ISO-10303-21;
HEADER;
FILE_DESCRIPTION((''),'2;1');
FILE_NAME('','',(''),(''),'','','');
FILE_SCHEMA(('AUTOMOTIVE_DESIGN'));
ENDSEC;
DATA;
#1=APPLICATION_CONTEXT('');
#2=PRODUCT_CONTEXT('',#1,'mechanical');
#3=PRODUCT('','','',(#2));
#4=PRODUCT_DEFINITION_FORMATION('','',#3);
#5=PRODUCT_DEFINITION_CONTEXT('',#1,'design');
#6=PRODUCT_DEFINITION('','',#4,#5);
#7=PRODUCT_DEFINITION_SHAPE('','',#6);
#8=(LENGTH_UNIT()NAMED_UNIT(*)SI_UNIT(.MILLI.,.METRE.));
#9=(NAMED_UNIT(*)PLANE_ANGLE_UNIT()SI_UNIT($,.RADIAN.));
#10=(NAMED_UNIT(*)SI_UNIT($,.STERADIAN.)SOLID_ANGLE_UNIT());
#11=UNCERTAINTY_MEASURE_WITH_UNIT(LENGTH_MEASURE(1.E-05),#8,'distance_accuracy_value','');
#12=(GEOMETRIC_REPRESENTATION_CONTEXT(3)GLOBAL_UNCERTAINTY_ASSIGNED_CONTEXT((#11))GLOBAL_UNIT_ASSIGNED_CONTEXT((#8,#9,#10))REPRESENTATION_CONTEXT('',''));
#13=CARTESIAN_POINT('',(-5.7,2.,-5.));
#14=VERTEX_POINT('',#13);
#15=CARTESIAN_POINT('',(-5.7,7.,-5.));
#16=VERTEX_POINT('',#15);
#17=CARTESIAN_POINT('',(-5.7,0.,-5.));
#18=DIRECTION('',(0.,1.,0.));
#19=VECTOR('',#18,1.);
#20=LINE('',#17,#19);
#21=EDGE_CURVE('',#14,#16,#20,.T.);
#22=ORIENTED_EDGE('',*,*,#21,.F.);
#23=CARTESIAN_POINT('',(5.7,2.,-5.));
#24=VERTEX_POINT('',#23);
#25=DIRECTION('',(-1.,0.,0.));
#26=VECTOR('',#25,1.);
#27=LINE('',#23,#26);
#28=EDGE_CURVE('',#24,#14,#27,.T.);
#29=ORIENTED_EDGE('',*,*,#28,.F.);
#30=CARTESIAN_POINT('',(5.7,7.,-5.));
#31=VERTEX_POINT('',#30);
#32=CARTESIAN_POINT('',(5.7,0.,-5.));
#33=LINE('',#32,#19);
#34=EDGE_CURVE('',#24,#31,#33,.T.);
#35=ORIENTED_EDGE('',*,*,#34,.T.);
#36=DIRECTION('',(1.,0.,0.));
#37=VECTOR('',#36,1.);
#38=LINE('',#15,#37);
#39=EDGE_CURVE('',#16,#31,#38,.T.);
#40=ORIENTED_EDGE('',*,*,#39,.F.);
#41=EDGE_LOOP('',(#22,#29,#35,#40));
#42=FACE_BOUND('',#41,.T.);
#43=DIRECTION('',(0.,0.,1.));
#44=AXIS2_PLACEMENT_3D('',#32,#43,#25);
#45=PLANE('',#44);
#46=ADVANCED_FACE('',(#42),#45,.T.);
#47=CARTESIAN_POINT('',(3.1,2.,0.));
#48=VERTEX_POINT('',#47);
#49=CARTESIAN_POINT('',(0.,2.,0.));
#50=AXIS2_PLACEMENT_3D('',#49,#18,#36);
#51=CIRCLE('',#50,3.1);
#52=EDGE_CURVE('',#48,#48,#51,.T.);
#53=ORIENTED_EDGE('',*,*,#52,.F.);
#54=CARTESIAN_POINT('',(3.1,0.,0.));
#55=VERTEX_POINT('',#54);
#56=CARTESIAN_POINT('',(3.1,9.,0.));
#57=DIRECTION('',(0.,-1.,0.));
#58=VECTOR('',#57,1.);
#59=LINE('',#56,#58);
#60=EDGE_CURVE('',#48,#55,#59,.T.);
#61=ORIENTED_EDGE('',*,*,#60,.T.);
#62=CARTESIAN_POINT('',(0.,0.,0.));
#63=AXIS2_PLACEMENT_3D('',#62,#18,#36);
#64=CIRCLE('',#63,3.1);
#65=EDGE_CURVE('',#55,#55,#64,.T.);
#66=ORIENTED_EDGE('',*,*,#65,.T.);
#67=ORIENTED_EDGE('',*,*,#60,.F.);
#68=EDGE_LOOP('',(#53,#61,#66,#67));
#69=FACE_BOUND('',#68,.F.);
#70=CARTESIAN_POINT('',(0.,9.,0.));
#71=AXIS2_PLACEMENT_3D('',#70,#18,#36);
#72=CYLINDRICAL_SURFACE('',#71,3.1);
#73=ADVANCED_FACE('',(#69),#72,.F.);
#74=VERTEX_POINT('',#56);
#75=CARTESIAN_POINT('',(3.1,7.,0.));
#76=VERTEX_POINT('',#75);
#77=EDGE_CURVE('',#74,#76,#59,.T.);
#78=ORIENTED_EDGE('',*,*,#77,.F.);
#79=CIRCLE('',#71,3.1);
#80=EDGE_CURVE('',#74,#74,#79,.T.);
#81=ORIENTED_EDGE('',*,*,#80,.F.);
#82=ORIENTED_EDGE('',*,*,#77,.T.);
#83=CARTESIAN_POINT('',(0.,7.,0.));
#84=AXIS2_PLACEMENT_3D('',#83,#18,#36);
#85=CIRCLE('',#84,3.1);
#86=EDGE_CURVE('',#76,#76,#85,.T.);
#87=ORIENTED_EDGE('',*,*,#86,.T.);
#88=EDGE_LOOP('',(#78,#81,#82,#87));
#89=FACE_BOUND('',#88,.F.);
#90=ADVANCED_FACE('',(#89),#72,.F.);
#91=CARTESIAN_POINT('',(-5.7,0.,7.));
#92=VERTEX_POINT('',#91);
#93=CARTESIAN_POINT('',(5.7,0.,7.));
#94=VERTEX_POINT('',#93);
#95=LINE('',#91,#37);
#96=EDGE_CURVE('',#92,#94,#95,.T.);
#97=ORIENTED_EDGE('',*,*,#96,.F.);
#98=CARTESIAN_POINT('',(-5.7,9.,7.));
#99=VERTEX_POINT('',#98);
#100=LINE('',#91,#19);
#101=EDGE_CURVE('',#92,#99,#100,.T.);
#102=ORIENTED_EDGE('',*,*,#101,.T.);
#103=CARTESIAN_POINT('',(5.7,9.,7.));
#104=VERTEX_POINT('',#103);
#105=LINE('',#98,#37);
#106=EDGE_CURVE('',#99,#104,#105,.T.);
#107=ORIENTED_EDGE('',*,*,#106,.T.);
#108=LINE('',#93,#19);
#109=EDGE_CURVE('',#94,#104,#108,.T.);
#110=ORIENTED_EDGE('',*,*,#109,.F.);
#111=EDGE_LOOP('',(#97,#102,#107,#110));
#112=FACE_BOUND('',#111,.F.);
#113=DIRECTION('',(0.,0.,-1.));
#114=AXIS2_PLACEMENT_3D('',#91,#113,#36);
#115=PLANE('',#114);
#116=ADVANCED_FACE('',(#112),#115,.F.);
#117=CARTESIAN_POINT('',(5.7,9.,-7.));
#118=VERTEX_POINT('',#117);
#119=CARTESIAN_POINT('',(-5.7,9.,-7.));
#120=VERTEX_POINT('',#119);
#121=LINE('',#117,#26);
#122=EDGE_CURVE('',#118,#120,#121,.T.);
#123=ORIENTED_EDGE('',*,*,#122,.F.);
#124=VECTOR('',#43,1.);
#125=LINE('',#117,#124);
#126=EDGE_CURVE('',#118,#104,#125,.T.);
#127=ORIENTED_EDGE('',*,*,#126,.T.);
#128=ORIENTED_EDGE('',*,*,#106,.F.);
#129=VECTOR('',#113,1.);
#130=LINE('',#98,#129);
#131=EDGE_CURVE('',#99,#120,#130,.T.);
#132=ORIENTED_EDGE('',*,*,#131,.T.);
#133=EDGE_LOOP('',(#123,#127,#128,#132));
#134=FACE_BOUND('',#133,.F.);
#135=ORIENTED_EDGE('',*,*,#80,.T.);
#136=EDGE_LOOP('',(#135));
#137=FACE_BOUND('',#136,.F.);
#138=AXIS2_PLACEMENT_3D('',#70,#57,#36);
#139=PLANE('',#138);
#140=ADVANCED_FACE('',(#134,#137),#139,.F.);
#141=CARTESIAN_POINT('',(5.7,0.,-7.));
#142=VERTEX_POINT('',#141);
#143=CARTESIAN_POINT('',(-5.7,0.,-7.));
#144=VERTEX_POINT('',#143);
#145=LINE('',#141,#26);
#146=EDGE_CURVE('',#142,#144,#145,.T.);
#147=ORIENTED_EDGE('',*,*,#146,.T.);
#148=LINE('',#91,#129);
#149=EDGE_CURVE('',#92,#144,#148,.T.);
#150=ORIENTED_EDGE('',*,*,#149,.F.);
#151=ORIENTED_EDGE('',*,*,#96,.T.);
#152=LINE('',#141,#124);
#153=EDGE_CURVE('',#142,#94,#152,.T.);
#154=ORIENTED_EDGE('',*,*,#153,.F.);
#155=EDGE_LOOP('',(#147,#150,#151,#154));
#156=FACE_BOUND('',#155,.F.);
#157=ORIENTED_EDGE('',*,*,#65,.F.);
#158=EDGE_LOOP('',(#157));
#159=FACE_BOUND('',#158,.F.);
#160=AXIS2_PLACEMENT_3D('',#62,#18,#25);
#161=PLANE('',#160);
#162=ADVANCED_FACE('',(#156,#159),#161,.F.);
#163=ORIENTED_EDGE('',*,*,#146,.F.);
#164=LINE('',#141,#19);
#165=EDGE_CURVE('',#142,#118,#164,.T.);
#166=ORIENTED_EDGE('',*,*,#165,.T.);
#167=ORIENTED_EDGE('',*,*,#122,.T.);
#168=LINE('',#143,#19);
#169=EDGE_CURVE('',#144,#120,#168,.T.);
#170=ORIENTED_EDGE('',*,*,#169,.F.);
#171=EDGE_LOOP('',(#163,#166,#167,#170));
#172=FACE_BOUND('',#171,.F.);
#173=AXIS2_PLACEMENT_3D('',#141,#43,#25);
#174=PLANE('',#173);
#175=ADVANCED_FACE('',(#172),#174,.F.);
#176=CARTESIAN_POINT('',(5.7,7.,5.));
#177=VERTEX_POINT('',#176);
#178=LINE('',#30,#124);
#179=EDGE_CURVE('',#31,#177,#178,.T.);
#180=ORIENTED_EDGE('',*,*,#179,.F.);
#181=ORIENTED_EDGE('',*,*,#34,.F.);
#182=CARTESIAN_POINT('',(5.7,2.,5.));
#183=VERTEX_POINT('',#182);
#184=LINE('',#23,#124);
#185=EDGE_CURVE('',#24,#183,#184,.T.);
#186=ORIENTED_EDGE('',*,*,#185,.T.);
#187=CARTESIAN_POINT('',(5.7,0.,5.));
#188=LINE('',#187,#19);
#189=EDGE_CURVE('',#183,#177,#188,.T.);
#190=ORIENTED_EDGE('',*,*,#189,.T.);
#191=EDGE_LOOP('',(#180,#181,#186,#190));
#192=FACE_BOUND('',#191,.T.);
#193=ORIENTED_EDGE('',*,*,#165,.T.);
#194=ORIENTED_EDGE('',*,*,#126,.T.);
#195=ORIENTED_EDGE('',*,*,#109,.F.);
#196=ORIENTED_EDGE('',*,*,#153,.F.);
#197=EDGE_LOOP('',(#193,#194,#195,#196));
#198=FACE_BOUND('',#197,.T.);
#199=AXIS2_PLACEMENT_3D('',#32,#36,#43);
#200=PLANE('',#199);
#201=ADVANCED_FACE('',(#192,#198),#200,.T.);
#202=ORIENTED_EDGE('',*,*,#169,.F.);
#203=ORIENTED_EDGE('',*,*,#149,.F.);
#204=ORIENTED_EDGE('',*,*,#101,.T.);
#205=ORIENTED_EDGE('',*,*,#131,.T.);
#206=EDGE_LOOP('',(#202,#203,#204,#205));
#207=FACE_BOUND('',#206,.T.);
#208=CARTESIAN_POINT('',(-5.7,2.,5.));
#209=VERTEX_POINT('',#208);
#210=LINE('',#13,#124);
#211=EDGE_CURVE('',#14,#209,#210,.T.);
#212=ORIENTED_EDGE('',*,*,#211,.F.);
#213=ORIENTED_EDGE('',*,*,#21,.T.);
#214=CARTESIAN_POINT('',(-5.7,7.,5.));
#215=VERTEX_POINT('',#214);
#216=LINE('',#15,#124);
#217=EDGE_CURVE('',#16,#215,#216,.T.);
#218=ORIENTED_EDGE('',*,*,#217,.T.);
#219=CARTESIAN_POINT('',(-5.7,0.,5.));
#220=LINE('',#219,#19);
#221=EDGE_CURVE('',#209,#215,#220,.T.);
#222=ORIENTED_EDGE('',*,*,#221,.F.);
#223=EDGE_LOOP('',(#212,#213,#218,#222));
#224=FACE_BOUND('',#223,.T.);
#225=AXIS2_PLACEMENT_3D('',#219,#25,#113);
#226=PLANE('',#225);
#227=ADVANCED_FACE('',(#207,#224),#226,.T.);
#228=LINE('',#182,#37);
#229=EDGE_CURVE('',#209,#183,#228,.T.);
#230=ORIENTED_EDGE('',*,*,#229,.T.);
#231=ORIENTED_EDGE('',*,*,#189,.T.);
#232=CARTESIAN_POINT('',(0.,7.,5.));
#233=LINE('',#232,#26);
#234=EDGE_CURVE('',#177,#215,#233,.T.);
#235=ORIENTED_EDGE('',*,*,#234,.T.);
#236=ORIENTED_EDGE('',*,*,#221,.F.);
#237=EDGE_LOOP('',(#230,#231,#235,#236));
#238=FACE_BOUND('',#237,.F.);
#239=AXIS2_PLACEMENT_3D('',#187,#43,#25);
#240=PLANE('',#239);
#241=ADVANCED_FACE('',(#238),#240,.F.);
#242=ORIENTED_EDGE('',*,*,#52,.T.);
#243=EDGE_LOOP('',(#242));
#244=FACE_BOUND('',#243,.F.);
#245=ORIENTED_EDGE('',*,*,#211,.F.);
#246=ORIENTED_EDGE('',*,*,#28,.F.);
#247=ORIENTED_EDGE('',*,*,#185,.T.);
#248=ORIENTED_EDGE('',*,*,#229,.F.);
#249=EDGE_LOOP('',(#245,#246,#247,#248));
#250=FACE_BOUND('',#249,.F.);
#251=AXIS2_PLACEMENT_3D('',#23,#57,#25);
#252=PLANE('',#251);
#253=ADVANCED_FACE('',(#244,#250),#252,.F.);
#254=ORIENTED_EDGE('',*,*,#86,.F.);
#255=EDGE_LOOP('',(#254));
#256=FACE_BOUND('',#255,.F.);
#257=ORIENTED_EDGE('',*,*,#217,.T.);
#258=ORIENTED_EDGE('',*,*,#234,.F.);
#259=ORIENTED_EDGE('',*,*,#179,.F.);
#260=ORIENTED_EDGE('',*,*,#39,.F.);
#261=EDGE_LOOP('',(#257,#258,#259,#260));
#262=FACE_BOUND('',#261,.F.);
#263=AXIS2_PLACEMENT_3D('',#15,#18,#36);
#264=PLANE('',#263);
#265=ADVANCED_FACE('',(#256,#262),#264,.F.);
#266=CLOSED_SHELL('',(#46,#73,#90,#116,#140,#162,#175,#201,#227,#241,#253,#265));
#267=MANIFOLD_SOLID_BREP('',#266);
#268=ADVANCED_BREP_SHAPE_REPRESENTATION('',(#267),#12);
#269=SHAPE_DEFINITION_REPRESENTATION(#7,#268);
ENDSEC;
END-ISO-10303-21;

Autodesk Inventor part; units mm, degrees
ref_plane "YZ Plane" through (0, 0, 0) normal (1, 0, 0) x (0, 1, 0)
ref_plane "XZ Plane" through (0, 0, 0) normal (0, 1, 0) x (-1, 0, 0)
ref_plane "XY Plane" through (0, 0, 0) normal (0, 0, 1) x (1, 0, 0)
sketch "Sketch2" plane through (0, 0, 0) normal (0, 1, 0) x (-1, 0, 0)
  line L0 (-5.7, 5) -> (5.7, 5)
  line L1 (5.7, 5) -> (5.7, -5)
  line L2 (5.7, -5) -> (-5.7, -5)
  line L3 (-5.7, -5) -> (-5.7, 5)
  line L4 (-5.7, 5) -> (5.7, -5) construction
  line L5 (5.7, 5) -> (-5.7, -5) construction
  circle A0 centre (0, 0) radius 2.6
  dimension "d0" = 11.4
  dimension "d1" = 10
  dimension "d2" = 5.2
extrude "Extrusion1" add sketch "Sketch2" along normal blind 9
sketch "Sketch3" plane through (5.7, 0, -5) normal (0, 0, -1) x (-1, 0, 0)
  line L0 (0, 9) -> (11.4, 9) projected
  line L1 (0, 9) -> (0, 7)
  line L2 (0, 0) -> (0, 9) projected
  line L3 (0, 0) -> (0, 2)
  line L4 (0, 7) -> (0, 2)
  line L5 (0, 2) -> (11.4, 2)
  line L6 (11.4, 2) -> (11.4, 7)
  line L7 (11.4, 7) -> (0, 7)
  point P0 (5.7, 0)
  dimension "d5" = 2
  dimension "d6" = 2
extrude "Extrusion2" cut sketch "Sketch3" against normal blind 10.5875
sketch "Sketch4" plane through (0, 0, 0) normal (0, -1, 0) x (1, 0, 0)
  line L0 (-5.7, -5) -> (-5.7, 5) projected
  line L1 (-5.7, 5) -> (-5.7, 7)
  line L2 (-5.7, 7) -> (5.7, 7)
  line L3 (5.7, 7) -> (5.7, -7)
  line L4 (5.7, -7) -> (-5.7, -7)
  line L5 (-5.7, -7) -> (-5.7, 7)
  line L6 (-5.7, 7) -> (-5.7, -7)
  line L7 (-5.7, -7) -> (-7.7, -7)
  line L8 (-7.7, -7) -> (-7.7, 7)
  line L9 (-7.7, 7) -> (-5.7, 7)
  line L10 (5.7, -7) -> (5.7, -5)
  line L11 (5.7, -5) -> (-5.7, -5)
  line L12 (-5.7, -5) -> (-5.7, -7)
  line L13 (-5.7, -7) -> (5.7, -7)
  line L14 (-5.7, 5) -> (-5.7, 7)
  line L15 (-5.7, 7) -> (5.7, 7)
  line L16 (5.7, 7) -> (5.7, 5)
  line L17 (5.7, 5) -> (-5.7, 5)
  line L18 (-5.7, -5) -> (-5.7, 5)
  line L19 (5.7, -5) -> (5.7, 5)
  point P0 (0, 0)
  dimension "d9" = 2
  dimension "d10" = 11.4
  dimension "d11" = 14
  dimension "d12" = 2
extrude "Extrusion3" add sketch "Sketch4" against normal up to surface (9 mm away) contours L11 L3 L4 L5 | L1 L2 L3 L17
sketch "Sketch6" plane through (0, 9, 0) normal (0, 1, 0) x (1, 0, 0)
  circle A0 centre (0, 0) radius 3.1
  dimension "d18" = 6.2
extrude "Extrusion4" cut sketch "Sketch6" against normal blind 10
